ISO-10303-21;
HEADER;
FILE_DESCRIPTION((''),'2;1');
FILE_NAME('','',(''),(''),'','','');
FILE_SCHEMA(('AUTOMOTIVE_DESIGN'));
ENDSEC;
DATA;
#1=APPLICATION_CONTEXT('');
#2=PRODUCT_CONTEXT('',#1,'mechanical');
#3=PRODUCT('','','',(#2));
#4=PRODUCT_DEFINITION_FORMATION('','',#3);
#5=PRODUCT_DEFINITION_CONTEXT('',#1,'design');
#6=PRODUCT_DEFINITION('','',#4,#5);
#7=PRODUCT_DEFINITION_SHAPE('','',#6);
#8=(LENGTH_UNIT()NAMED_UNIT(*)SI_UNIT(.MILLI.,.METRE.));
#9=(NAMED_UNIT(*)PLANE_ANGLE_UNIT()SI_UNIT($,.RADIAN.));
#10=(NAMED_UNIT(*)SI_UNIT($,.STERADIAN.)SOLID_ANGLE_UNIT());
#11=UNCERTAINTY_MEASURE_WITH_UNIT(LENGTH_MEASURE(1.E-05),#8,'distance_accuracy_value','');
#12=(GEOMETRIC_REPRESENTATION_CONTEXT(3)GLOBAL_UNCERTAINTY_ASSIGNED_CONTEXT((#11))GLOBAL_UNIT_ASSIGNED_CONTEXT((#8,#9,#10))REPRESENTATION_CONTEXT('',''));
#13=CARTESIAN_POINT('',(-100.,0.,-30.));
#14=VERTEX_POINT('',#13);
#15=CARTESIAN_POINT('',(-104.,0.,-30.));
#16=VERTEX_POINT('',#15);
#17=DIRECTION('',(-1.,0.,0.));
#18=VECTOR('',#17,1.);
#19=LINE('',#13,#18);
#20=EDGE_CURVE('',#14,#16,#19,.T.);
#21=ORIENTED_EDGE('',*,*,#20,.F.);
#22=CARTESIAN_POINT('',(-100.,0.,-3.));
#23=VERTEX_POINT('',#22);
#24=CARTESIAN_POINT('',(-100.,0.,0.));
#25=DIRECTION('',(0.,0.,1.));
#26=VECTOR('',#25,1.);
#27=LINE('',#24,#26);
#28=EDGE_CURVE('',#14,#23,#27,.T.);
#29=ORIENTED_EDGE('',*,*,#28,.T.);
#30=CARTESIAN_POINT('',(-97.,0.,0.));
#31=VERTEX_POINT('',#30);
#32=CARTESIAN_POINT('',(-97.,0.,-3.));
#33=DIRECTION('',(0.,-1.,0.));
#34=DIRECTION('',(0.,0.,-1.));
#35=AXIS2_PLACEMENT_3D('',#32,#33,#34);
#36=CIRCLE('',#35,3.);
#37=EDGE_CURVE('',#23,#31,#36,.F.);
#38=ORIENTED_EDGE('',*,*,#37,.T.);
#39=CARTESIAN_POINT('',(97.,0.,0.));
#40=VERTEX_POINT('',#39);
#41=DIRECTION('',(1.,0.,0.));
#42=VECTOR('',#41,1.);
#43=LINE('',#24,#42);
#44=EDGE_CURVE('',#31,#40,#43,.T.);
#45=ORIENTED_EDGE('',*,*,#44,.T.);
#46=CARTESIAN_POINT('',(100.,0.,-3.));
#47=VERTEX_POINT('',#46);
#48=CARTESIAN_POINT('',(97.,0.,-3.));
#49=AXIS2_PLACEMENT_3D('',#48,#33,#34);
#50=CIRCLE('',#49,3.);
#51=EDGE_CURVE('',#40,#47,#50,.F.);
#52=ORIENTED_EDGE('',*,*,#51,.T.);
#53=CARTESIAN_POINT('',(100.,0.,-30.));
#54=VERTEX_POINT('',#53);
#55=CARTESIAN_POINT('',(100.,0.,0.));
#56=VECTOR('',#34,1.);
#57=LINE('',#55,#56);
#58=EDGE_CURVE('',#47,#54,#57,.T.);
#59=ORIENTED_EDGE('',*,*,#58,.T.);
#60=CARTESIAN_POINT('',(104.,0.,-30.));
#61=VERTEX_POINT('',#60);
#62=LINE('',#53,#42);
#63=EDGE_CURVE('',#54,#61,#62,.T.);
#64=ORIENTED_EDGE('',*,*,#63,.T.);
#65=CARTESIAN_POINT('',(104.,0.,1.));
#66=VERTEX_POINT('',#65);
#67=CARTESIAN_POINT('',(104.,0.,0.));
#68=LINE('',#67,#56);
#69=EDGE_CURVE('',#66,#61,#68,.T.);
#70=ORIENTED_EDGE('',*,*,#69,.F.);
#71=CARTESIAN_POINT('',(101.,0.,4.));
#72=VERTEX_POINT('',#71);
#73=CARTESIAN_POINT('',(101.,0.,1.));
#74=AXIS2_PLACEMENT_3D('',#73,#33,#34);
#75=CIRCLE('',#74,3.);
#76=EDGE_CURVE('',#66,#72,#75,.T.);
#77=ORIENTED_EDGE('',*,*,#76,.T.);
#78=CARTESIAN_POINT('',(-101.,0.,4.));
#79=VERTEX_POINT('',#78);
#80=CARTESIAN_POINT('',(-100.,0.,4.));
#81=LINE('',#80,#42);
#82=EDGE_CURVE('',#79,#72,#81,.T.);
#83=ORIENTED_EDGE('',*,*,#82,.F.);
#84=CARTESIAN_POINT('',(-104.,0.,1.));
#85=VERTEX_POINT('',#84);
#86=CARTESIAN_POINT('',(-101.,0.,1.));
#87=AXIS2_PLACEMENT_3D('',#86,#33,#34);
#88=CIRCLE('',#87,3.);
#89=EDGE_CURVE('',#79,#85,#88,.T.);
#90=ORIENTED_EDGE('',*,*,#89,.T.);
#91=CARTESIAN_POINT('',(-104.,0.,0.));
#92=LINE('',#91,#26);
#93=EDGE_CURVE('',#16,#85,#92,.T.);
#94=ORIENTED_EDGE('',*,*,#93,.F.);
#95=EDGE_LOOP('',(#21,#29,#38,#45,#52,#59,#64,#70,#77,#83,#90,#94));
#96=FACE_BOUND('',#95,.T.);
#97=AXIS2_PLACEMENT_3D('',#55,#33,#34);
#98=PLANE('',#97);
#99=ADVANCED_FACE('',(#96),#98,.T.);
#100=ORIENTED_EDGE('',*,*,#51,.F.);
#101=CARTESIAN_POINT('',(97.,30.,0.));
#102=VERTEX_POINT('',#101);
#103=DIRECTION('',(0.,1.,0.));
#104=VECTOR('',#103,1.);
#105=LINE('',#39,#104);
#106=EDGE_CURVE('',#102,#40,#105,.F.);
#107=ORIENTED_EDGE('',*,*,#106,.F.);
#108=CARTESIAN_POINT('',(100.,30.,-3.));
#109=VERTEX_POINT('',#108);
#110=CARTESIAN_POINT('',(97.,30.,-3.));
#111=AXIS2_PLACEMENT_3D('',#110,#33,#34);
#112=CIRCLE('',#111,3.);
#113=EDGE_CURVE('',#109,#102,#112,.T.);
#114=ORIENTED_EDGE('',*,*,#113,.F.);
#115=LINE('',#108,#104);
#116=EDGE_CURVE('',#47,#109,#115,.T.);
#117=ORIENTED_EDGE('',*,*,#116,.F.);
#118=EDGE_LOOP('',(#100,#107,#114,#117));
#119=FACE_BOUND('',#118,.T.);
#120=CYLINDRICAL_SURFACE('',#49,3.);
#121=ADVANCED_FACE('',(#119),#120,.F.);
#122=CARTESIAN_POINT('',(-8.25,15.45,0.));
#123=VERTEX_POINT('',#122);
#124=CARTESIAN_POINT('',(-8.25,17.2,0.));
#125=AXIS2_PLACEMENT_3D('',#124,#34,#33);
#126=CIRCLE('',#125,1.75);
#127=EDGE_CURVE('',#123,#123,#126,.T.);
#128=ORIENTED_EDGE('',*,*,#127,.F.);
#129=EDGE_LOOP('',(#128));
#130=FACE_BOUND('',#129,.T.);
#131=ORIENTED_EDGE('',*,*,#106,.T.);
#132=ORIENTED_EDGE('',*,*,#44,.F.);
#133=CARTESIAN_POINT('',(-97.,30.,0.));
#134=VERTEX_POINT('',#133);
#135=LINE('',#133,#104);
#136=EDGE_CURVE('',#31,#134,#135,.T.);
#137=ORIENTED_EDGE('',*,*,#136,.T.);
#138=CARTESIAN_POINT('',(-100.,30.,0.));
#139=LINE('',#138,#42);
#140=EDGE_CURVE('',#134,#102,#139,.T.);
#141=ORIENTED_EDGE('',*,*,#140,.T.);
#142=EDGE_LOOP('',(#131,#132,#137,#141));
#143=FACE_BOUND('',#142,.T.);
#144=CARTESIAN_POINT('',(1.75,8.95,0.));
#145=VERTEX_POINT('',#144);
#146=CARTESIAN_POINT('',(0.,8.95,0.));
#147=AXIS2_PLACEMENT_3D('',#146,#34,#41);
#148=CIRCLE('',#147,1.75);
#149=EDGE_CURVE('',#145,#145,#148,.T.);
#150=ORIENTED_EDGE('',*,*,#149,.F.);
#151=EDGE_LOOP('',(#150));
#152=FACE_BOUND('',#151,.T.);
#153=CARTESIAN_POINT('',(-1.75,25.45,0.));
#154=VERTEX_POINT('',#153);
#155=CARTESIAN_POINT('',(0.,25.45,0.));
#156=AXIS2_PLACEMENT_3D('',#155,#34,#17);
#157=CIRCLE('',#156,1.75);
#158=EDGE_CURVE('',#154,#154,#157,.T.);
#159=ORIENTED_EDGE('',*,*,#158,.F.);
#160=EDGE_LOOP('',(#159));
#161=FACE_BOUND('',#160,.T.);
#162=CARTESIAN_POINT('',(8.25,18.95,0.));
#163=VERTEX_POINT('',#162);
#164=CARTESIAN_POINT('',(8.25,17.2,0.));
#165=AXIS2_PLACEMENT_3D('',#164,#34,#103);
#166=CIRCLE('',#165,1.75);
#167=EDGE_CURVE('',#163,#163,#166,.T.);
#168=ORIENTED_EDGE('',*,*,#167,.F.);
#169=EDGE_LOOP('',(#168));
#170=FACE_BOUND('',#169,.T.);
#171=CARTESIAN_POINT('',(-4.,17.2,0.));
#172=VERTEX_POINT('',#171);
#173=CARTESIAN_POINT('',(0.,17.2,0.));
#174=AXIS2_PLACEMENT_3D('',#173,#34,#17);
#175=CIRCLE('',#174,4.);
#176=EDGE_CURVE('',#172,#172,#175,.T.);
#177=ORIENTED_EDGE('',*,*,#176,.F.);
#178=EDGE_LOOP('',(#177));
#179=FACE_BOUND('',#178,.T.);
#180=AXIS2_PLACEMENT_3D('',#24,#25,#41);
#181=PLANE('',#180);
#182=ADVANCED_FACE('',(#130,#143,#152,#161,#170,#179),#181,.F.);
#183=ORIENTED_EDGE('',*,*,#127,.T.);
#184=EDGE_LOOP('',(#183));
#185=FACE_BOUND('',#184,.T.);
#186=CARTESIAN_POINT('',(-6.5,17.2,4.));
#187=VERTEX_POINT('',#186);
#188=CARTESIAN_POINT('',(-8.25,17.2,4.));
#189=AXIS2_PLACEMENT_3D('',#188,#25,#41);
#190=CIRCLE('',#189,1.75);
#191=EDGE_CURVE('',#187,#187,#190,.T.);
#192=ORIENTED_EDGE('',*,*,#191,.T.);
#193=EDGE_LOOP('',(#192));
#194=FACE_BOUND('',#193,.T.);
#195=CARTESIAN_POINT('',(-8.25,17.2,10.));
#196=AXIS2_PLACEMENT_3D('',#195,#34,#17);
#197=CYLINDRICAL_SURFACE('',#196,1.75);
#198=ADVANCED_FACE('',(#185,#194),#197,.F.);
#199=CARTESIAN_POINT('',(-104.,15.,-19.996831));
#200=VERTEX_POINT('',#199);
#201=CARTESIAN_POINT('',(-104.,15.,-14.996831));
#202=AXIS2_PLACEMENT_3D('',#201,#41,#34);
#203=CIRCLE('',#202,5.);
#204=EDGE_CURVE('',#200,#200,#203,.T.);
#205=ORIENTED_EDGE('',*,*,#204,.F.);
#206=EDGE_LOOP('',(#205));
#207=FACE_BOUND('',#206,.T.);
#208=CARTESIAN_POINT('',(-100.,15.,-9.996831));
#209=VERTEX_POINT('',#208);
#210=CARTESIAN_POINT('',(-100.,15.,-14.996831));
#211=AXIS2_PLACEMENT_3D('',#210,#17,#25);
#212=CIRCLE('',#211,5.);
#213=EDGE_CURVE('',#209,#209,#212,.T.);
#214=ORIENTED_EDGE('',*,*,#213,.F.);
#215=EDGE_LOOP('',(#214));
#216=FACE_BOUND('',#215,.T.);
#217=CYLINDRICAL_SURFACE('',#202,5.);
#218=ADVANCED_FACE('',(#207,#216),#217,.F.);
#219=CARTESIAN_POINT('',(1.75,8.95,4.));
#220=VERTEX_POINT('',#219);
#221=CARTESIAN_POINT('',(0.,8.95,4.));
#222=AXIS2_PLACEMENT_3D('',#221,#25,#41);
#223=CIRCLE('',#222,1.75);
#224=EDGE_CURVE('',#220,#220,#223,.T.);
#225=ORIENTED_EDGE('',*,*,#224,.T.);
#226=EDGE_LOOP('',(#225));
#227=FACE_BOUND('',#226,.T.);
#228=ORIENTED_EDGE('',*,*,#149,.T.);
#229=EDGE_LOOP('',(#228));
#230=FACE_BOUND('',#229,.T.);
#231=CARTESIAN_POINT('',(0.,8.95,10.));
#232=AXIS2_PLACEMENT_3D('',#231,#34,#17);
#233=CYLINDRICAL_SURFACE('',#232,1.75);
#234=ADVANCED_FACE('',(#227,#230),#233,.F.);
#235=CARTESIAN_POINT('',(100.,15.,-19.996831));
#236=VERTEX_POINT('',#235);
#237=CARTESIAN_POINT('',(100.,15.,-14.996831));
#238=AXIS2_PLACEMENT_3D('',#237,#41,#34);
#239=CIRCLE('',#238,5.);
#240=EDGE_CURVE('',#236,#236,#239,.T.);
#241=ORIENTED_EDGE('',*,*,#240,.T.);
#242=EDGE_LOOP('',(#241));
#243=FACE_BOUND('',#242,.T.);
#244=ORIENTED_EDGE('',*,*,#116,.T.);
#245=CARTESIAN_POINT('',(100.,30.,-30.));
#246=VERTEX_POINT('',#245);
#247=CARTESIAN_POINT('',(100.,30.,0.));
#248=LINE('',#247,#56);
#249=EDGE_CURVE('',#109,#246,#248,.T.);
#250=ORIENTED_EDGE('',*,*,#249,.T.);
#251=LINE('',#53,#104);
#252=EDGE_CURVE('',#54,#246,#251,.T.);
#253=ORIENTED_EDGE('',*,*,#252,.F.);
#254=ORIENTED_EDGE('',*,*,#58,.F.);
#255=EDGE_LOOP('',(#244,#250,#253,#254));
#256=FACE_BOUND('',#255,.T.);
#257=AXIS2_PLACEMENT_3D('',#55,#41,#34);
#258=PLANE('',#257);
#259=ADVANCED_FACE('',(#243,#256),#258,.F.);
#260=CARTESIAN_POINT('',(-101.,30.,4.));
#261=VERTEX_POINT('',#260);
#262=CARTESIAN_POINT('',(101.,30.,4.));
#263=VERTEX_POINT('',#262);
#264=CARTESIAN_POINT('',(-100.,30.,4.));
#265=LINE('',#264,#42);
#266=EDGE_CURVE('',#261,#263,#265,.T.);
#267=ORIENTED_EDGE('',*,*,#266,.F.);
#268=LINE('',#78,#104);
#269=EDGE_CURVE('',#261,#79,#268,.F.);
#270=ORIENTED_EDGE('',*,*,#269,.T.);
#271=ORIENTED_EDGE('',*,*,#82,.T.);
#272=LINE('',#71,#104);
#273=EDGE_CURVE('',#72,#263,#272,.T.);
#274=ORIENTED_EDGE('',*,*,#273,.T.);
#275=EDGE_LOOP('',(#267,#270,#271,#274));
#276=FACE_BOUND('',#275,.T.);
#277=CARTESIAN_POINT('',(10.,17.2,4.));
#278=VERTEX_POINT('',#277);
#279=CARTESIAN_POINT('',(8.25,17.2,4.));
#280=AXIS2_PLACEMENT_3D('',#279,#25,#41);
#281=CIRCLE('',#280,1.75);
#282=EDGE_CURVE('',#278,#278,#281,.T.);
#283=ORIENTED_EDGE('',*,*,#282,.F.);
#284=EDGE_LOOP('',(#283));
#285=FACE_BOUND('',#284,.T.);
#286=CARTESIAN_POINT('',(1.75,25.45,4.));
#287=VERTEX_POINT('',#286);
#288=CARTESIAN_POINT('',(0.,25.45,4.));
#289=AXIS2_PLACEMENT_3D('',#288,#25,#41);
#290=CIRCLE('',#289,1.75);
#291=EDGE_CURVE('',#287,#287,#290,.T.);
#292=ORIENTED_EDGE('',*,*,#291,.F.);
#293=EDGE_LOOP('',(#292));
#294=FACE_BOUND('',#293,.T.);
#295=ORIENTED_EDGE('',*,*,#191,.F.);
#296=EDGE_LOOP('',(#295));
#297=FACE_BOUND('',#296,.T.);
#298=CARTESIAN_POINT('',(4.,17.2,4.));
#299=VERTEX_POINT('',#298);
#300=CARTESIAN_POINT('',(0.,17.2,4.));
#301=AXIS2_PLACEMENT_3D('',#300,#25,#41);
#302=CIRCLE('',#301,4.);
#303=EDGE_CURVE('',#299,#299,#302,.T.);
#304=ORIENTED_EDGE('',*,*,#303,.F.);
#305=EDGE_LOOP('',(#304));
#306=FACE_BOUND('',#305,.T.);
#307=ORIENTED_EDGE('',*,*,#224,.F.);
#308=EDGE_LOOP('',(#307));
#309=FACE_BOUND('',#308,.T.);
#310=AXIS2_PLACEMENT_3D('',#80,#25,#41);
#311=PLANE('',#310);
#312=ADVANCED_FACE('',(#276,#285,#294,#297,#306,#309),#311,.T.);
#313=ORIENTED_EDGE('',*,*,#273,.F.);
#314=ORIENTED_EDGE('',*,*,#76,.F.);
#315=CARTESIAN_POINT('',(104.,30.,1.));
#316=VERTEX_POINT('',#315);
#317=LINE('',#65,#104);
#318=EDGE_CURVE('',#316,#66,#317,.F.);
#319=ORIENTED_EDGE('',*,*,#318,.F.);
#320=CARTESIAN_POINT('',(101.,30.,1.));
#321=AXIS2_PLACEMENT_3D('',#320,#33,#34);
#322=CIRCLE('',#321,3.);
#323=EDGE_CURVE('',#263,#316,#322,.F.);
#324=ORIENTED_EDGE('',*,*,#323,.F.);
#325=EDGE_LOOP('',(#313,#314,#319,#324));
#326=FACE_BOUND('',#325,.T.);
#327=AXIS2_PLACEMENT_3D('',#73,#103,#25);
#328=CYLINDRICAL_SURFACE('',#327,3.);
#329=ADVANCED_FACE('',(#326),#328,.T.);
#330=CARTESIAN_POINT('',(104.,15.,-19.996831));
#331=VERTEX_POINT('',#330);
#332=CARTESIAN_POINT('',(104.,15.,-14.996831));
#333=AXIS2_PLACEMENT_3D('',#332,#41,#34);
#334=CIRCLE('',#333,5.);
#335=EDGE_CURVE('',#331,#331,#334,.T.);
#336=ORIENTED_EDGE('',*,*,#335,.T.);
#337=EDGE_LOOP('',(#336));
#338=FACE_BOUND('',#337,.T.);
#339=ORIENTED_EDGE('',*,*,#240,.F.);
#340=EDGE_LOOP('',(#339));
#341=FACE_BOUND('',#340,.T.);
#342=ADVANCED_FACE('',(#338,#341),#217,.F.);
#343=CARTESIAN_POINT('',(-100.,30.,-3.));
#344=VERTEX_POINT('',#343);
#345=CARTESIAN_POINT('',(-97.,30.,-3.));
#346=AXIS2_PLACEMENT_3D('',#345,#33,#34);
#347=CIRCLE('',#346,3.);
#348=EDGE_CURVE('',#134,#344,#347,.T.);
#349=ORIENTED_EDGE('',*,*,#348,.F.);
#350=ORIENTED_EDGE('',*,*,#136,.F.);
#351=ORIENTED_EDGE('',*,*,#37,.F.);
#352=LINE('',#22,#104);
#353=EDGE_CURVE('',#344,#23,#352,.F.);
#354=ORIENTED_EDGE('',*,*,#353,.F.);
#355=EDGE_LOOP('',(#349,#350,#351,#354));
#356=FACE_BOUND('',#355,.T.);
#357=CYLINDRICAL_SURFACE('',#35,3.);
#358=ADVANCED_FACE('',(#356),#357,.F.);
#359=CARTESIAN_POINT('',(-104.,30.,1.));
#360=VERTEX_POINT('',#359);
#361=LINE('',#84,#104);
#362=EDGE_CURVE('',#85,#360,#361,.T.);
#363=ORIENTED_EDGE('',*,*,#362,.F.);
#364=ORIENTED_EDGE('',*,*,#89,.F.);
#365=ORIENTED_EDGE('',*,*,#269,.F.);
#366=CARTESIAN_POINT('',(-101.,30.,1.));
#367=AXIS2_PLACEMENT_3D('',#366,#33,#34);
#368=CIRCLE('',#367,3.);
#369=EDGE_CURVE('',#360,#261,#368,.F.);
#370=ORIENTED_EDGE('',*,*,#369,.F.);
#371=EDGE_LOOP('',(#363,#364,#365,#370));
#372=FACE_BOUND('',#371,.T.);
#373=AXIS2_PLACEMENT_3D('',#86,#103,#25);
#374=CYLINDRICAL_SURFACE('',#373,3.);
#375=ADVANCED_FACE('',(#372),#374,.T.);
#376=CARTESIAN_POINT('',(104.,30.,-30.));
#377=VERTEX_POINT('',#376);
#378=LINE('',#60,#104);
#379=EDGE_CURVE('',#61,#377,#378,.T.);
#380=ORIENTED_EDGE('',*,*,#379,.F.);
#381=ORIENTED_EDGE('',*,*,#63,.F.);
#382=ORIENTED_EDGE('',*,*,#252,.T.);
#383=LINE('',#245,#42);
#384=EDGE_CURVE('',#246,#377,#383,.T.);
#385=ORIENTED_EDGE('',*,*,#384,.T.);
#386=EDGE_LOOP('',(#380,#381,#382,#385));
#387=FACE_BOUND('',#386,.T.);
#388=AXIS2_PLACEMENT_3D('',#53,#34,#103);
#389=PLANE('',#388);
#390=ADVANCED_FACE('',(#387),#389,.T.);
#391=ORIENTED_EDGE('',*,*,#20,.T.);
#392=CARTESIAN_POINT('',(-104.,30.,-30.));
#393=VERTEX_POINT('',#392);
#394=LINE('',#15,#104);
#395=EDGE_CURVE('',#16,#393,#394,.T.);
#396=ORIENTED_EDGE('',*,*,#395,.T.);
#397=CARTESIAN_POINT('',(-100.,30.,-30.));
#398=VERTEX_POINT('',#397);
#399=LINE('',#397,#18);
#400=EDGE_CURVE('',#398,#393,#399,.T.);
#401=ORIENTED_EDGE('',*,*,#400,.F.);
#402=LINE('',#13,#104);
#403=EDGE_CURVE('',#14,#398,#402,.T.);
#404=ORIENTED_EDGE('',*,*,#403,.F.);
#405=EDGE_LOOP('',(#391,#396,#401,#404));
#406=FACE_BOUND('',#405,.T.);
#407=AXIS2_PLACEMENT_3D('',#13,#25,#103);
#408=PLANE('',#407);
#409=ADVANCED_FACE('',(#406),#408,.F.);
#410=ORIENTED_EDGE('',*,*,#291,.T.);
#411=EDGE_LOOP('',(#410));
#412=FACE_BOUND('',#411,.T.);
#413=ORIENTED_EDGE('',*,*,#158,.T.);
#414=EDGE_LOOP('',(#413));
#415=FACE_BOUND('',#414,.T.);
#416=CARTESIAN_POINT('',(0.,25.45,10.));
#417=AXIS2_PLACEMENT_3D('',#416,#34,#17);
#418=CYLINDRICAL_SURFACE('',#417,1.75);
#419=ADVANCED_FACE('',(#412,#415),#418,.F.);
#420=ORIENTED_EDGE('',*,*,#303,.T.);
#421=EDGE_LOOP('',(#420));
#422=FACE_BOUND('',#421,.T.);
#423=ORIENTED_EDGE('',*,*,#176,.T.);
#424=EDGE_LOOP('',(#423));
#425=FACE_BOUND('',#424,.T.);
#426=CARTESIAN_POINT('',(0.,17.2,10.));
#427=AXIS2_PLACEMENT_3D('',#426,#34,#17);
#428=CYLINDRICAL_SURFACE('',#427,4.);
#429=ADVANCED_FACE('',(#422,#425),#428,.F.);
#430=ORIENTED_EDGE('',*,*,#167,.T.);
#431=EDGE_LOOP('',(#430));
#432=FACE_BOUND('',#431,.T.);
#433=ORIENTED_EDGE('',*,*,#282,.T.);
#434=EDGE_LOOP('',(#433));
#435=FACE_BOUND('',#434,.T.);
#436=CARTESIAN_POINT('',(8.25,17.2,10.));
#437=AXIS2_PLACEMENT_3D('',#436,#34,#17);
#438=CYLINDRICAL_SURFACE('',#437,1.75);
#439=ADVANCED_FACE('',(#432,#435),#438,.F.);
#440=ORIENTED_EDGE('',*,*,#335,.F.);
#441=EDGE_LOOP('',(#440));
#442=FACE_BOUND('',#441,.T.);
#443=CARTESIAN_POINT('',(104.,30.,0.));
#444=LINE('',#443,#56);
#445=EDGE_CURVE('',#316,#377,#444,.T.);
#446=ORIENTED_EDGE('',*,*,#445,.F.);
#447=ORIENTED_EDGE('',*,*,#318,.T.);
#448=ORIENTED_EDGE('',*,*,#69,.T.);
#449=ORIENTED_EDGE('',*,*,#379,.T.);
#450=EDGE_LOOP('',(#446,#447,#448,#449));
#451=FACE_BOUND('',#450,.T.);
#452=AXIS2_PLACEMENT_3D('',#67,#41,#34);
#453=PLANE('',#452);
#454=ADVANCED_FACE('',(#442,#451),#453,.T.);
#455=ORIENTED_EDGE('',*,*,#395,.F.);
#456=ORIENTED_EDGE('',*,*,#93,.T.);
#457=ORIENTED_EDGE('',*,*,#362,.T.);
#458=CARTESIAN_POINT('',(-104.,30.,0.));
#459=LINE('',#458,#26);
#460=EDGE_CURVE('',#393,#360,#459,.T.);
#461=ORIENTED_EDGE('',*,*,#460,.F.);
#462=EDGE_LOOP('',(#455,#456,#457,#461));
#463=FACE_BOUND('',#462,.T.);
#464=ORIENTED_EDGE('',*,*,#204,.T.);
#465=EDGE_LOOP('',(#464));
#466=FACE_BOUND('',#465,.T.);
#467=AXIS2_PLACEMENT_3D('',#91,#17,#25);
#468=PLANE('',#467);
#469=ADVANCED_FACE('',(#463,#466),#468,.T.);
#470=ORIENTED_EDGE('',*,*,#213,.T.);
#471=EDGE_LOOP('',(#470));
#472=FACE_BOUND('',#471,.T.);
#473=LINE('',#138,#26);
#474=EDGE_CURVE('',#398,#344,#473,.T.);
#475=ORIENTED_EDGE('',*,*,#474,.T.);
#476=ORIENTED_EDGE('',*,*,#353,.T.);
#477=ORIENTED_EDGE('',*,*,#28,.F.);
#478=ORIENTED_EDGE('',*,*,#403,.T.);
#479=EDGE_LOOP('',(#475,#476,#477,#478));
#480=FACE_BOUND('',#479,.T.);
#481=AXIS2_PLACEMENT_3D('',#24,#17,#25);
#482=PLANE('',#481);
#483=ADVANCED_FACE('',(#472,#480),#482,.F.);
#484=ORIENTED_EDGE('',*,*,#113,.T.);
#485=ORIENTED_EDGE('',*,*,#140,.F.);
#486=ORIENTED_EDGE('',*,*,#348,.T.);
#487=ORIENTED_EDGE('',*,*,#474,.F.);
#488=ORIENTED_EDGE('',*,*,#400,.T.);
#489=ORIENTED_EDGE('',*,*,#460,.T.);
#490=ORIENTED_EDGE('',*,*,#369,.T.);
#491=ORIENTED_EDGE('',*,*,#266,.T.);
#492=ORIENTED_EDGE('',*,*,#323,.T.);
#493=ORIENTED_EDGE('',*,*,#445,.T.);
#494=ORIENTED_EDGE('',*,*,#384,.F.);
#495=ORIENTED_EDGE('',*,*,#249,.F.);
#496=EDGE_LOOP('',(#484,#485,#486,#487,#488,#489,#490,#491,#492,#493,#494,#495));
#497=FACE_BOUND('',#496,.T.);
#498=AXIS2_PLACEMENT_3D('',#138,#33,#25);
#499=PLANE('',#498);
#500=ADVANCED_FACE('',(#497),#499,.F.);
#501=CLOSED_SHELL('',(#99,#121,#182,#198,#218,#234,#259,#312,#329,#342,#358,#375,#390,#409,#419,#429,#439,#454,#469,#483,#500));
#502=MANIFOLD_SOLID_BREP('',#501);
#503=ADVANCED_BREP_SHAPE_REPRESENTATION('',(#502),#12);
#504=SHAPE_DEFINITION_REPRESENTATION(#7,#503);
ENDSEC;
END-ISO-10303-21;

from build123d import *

# Parameters (mm, degrees)
SURFACE_EXTRUDE1_1_DEPTH = 30
THICKEN2_T2              = 4
SURFACE_EXTRUDE2_2_DEPTH = 20
THICKEN3_T2              = 4
FILLET1_R                = 3
SKETCH3_R                = 5
CUT_EXTRUDE1_DEPTH       = 217.018517725
CUT_EXTRUDE1_DEPTH_BACK  = 217.018517725
SKETCH4_R                = 4
CUT_EXTRUDE3_DEPTH       = 10
SKETCH5_R                = 1.75
CUT_EXTRUDE4_DEPTH       = 10
CIRPATTERN1_COUNT        = 4
SKETCH6_W                = 50
SKETCH6_H                = 20
CUT_EXTRUDE5_DEPTH       = 10


with BuildPart() as body_1:
    # Surface-Extrude1: a surface, the sketch's curves swept straight by 30 mm
    with BuildLine(Plane(origin=(0, 0, 0), x_dir=(1, 0, 0), z_dir=(0, 1, 0)), mode=Mode.PRIVATE) as surface_extrude1_1_path:
        Line((-100, 30), (-100, 0))
        Line((-100, 0), (100, 0))
        Line((100, 0), (100, 30))
    surface_extrude1_1 = Shell.extrude(surface_extrude1_1_path.wire(), (0 * SURFACE_EXTRUDE1_1_DEPTH, 1 * SURFACE_EXTRUDE1_1_DEPTH, 0 * SURFACE_EXTRUDE1_1_DEPTH))
    add(Solid.thicken(surface_extrude1_1, -THICKEN2_T2))

    # Surface-Extrude2: a surface, the sketch's curves swept straight by 20 mm
    with BuildLine(Plane(origin=(0, 30, 0), x_dir=(1, 0, 0), z_dir=(0, 1, 0)), mode=Mode.PRIVATE) as surface_extrude2_2_path:
        Line((-25, 0), (25, 0))
    surface_extrude2_2 = Shell.extrude(surface_extrude2_2_path.wire(), (0 * SURFACE_EXTRUDE2_2_DEPTH, 1 * SURFACE_EXTRUDE2_2_DEPTH, 0 * SURFACE_EXTRUDE2_2_DEPTH))
    add(Solid.thicken(surface_extrude2_2, -THICKEN3_T2))

    # Fillet1
    fillet1_edges = [body_1.edges().sort_by_distance(p)[0] for p in [
        (-100, 15, 0),
        (100, 15, 0),
        (104, 15, 4),
        (-104, 15, 4),
    ]]
    fillet(fillet1_edges, radius=FILLET1_R)

    # Sketch3 → Cut-Extrude1 (cut, two sides)
    with BuildSketch(Plane(origin=(104, 0, 0), x_dir=(0, 0, -1), z_dir=(1, 0, 0))) as cut_extrude1_sk:
        with Locations((14.996831486, 15)):
            Circle(SKETCH3_R)
    extrude(amount=CUT_EXTRUDE1_DEPTH, mode=Mode.SUBTRACT)
    extrude(cut_extrude1_sk.sketch, amount=-CUT_EXTRUDE1_DEPTH_BACK, mode=Mode.SUBTRACT)

    # Sketch4 → Cut-Extrude3 (cut)
    with BuildSketch(Plane(origin=(0, 0, 0), x_dir=(-1, 0, 0), z_dir=(0, 0, -1))):
        with Locations((0, 17.2)):
            Circle(SKETCH4_R)
    extrude(amount=-CUT_EXTRUDE3_DEPTH, mode=Mode.SUBTRACT)

    # Sketch5 → Cut-Extrude4 (cut)
    with BuildSketch(Plane(origin=(0, 0, 0), x_dir=(-1, 0, 0), z_dir=(0, 0, -1))):
        with Locations((0, 25.45)):
            Circle(SKETCH5_R)
    cut_extrude4 = extrude(amount=-CUT_EXTRUDE4_DEPTH, mode=Mode.SUBTRACT)

    # CirPattern1: Cut-Extrude4 ×4 about axis
    cirpattern1_axis = Axis((0, 17.2, 0), (0, 0, 1))
    for i in range(1, CIRPATTERN1_COUNT):
        add(cut_extrude4.rotate(cirpattern1_axis, i * 360 / CIRPATTERN1_COUNT), mode=Mode.SUBTRACT)

    # Sketch6 → Cut-Extrude5 (cut)
    with BuildSketch(Plane(origin=(0, 0, 0), x_dir=(-1, 0, 0), z_dir=(0, 0, -1))):
        with Locations((0, 40)):
            Rectangle(SKETCH6_W, SKETCH6_H)
    extrude(amount=-CUT_EXTRUDE5_DEPTH, mode=Mode.SUBTRACT)


solid = body_1.part
